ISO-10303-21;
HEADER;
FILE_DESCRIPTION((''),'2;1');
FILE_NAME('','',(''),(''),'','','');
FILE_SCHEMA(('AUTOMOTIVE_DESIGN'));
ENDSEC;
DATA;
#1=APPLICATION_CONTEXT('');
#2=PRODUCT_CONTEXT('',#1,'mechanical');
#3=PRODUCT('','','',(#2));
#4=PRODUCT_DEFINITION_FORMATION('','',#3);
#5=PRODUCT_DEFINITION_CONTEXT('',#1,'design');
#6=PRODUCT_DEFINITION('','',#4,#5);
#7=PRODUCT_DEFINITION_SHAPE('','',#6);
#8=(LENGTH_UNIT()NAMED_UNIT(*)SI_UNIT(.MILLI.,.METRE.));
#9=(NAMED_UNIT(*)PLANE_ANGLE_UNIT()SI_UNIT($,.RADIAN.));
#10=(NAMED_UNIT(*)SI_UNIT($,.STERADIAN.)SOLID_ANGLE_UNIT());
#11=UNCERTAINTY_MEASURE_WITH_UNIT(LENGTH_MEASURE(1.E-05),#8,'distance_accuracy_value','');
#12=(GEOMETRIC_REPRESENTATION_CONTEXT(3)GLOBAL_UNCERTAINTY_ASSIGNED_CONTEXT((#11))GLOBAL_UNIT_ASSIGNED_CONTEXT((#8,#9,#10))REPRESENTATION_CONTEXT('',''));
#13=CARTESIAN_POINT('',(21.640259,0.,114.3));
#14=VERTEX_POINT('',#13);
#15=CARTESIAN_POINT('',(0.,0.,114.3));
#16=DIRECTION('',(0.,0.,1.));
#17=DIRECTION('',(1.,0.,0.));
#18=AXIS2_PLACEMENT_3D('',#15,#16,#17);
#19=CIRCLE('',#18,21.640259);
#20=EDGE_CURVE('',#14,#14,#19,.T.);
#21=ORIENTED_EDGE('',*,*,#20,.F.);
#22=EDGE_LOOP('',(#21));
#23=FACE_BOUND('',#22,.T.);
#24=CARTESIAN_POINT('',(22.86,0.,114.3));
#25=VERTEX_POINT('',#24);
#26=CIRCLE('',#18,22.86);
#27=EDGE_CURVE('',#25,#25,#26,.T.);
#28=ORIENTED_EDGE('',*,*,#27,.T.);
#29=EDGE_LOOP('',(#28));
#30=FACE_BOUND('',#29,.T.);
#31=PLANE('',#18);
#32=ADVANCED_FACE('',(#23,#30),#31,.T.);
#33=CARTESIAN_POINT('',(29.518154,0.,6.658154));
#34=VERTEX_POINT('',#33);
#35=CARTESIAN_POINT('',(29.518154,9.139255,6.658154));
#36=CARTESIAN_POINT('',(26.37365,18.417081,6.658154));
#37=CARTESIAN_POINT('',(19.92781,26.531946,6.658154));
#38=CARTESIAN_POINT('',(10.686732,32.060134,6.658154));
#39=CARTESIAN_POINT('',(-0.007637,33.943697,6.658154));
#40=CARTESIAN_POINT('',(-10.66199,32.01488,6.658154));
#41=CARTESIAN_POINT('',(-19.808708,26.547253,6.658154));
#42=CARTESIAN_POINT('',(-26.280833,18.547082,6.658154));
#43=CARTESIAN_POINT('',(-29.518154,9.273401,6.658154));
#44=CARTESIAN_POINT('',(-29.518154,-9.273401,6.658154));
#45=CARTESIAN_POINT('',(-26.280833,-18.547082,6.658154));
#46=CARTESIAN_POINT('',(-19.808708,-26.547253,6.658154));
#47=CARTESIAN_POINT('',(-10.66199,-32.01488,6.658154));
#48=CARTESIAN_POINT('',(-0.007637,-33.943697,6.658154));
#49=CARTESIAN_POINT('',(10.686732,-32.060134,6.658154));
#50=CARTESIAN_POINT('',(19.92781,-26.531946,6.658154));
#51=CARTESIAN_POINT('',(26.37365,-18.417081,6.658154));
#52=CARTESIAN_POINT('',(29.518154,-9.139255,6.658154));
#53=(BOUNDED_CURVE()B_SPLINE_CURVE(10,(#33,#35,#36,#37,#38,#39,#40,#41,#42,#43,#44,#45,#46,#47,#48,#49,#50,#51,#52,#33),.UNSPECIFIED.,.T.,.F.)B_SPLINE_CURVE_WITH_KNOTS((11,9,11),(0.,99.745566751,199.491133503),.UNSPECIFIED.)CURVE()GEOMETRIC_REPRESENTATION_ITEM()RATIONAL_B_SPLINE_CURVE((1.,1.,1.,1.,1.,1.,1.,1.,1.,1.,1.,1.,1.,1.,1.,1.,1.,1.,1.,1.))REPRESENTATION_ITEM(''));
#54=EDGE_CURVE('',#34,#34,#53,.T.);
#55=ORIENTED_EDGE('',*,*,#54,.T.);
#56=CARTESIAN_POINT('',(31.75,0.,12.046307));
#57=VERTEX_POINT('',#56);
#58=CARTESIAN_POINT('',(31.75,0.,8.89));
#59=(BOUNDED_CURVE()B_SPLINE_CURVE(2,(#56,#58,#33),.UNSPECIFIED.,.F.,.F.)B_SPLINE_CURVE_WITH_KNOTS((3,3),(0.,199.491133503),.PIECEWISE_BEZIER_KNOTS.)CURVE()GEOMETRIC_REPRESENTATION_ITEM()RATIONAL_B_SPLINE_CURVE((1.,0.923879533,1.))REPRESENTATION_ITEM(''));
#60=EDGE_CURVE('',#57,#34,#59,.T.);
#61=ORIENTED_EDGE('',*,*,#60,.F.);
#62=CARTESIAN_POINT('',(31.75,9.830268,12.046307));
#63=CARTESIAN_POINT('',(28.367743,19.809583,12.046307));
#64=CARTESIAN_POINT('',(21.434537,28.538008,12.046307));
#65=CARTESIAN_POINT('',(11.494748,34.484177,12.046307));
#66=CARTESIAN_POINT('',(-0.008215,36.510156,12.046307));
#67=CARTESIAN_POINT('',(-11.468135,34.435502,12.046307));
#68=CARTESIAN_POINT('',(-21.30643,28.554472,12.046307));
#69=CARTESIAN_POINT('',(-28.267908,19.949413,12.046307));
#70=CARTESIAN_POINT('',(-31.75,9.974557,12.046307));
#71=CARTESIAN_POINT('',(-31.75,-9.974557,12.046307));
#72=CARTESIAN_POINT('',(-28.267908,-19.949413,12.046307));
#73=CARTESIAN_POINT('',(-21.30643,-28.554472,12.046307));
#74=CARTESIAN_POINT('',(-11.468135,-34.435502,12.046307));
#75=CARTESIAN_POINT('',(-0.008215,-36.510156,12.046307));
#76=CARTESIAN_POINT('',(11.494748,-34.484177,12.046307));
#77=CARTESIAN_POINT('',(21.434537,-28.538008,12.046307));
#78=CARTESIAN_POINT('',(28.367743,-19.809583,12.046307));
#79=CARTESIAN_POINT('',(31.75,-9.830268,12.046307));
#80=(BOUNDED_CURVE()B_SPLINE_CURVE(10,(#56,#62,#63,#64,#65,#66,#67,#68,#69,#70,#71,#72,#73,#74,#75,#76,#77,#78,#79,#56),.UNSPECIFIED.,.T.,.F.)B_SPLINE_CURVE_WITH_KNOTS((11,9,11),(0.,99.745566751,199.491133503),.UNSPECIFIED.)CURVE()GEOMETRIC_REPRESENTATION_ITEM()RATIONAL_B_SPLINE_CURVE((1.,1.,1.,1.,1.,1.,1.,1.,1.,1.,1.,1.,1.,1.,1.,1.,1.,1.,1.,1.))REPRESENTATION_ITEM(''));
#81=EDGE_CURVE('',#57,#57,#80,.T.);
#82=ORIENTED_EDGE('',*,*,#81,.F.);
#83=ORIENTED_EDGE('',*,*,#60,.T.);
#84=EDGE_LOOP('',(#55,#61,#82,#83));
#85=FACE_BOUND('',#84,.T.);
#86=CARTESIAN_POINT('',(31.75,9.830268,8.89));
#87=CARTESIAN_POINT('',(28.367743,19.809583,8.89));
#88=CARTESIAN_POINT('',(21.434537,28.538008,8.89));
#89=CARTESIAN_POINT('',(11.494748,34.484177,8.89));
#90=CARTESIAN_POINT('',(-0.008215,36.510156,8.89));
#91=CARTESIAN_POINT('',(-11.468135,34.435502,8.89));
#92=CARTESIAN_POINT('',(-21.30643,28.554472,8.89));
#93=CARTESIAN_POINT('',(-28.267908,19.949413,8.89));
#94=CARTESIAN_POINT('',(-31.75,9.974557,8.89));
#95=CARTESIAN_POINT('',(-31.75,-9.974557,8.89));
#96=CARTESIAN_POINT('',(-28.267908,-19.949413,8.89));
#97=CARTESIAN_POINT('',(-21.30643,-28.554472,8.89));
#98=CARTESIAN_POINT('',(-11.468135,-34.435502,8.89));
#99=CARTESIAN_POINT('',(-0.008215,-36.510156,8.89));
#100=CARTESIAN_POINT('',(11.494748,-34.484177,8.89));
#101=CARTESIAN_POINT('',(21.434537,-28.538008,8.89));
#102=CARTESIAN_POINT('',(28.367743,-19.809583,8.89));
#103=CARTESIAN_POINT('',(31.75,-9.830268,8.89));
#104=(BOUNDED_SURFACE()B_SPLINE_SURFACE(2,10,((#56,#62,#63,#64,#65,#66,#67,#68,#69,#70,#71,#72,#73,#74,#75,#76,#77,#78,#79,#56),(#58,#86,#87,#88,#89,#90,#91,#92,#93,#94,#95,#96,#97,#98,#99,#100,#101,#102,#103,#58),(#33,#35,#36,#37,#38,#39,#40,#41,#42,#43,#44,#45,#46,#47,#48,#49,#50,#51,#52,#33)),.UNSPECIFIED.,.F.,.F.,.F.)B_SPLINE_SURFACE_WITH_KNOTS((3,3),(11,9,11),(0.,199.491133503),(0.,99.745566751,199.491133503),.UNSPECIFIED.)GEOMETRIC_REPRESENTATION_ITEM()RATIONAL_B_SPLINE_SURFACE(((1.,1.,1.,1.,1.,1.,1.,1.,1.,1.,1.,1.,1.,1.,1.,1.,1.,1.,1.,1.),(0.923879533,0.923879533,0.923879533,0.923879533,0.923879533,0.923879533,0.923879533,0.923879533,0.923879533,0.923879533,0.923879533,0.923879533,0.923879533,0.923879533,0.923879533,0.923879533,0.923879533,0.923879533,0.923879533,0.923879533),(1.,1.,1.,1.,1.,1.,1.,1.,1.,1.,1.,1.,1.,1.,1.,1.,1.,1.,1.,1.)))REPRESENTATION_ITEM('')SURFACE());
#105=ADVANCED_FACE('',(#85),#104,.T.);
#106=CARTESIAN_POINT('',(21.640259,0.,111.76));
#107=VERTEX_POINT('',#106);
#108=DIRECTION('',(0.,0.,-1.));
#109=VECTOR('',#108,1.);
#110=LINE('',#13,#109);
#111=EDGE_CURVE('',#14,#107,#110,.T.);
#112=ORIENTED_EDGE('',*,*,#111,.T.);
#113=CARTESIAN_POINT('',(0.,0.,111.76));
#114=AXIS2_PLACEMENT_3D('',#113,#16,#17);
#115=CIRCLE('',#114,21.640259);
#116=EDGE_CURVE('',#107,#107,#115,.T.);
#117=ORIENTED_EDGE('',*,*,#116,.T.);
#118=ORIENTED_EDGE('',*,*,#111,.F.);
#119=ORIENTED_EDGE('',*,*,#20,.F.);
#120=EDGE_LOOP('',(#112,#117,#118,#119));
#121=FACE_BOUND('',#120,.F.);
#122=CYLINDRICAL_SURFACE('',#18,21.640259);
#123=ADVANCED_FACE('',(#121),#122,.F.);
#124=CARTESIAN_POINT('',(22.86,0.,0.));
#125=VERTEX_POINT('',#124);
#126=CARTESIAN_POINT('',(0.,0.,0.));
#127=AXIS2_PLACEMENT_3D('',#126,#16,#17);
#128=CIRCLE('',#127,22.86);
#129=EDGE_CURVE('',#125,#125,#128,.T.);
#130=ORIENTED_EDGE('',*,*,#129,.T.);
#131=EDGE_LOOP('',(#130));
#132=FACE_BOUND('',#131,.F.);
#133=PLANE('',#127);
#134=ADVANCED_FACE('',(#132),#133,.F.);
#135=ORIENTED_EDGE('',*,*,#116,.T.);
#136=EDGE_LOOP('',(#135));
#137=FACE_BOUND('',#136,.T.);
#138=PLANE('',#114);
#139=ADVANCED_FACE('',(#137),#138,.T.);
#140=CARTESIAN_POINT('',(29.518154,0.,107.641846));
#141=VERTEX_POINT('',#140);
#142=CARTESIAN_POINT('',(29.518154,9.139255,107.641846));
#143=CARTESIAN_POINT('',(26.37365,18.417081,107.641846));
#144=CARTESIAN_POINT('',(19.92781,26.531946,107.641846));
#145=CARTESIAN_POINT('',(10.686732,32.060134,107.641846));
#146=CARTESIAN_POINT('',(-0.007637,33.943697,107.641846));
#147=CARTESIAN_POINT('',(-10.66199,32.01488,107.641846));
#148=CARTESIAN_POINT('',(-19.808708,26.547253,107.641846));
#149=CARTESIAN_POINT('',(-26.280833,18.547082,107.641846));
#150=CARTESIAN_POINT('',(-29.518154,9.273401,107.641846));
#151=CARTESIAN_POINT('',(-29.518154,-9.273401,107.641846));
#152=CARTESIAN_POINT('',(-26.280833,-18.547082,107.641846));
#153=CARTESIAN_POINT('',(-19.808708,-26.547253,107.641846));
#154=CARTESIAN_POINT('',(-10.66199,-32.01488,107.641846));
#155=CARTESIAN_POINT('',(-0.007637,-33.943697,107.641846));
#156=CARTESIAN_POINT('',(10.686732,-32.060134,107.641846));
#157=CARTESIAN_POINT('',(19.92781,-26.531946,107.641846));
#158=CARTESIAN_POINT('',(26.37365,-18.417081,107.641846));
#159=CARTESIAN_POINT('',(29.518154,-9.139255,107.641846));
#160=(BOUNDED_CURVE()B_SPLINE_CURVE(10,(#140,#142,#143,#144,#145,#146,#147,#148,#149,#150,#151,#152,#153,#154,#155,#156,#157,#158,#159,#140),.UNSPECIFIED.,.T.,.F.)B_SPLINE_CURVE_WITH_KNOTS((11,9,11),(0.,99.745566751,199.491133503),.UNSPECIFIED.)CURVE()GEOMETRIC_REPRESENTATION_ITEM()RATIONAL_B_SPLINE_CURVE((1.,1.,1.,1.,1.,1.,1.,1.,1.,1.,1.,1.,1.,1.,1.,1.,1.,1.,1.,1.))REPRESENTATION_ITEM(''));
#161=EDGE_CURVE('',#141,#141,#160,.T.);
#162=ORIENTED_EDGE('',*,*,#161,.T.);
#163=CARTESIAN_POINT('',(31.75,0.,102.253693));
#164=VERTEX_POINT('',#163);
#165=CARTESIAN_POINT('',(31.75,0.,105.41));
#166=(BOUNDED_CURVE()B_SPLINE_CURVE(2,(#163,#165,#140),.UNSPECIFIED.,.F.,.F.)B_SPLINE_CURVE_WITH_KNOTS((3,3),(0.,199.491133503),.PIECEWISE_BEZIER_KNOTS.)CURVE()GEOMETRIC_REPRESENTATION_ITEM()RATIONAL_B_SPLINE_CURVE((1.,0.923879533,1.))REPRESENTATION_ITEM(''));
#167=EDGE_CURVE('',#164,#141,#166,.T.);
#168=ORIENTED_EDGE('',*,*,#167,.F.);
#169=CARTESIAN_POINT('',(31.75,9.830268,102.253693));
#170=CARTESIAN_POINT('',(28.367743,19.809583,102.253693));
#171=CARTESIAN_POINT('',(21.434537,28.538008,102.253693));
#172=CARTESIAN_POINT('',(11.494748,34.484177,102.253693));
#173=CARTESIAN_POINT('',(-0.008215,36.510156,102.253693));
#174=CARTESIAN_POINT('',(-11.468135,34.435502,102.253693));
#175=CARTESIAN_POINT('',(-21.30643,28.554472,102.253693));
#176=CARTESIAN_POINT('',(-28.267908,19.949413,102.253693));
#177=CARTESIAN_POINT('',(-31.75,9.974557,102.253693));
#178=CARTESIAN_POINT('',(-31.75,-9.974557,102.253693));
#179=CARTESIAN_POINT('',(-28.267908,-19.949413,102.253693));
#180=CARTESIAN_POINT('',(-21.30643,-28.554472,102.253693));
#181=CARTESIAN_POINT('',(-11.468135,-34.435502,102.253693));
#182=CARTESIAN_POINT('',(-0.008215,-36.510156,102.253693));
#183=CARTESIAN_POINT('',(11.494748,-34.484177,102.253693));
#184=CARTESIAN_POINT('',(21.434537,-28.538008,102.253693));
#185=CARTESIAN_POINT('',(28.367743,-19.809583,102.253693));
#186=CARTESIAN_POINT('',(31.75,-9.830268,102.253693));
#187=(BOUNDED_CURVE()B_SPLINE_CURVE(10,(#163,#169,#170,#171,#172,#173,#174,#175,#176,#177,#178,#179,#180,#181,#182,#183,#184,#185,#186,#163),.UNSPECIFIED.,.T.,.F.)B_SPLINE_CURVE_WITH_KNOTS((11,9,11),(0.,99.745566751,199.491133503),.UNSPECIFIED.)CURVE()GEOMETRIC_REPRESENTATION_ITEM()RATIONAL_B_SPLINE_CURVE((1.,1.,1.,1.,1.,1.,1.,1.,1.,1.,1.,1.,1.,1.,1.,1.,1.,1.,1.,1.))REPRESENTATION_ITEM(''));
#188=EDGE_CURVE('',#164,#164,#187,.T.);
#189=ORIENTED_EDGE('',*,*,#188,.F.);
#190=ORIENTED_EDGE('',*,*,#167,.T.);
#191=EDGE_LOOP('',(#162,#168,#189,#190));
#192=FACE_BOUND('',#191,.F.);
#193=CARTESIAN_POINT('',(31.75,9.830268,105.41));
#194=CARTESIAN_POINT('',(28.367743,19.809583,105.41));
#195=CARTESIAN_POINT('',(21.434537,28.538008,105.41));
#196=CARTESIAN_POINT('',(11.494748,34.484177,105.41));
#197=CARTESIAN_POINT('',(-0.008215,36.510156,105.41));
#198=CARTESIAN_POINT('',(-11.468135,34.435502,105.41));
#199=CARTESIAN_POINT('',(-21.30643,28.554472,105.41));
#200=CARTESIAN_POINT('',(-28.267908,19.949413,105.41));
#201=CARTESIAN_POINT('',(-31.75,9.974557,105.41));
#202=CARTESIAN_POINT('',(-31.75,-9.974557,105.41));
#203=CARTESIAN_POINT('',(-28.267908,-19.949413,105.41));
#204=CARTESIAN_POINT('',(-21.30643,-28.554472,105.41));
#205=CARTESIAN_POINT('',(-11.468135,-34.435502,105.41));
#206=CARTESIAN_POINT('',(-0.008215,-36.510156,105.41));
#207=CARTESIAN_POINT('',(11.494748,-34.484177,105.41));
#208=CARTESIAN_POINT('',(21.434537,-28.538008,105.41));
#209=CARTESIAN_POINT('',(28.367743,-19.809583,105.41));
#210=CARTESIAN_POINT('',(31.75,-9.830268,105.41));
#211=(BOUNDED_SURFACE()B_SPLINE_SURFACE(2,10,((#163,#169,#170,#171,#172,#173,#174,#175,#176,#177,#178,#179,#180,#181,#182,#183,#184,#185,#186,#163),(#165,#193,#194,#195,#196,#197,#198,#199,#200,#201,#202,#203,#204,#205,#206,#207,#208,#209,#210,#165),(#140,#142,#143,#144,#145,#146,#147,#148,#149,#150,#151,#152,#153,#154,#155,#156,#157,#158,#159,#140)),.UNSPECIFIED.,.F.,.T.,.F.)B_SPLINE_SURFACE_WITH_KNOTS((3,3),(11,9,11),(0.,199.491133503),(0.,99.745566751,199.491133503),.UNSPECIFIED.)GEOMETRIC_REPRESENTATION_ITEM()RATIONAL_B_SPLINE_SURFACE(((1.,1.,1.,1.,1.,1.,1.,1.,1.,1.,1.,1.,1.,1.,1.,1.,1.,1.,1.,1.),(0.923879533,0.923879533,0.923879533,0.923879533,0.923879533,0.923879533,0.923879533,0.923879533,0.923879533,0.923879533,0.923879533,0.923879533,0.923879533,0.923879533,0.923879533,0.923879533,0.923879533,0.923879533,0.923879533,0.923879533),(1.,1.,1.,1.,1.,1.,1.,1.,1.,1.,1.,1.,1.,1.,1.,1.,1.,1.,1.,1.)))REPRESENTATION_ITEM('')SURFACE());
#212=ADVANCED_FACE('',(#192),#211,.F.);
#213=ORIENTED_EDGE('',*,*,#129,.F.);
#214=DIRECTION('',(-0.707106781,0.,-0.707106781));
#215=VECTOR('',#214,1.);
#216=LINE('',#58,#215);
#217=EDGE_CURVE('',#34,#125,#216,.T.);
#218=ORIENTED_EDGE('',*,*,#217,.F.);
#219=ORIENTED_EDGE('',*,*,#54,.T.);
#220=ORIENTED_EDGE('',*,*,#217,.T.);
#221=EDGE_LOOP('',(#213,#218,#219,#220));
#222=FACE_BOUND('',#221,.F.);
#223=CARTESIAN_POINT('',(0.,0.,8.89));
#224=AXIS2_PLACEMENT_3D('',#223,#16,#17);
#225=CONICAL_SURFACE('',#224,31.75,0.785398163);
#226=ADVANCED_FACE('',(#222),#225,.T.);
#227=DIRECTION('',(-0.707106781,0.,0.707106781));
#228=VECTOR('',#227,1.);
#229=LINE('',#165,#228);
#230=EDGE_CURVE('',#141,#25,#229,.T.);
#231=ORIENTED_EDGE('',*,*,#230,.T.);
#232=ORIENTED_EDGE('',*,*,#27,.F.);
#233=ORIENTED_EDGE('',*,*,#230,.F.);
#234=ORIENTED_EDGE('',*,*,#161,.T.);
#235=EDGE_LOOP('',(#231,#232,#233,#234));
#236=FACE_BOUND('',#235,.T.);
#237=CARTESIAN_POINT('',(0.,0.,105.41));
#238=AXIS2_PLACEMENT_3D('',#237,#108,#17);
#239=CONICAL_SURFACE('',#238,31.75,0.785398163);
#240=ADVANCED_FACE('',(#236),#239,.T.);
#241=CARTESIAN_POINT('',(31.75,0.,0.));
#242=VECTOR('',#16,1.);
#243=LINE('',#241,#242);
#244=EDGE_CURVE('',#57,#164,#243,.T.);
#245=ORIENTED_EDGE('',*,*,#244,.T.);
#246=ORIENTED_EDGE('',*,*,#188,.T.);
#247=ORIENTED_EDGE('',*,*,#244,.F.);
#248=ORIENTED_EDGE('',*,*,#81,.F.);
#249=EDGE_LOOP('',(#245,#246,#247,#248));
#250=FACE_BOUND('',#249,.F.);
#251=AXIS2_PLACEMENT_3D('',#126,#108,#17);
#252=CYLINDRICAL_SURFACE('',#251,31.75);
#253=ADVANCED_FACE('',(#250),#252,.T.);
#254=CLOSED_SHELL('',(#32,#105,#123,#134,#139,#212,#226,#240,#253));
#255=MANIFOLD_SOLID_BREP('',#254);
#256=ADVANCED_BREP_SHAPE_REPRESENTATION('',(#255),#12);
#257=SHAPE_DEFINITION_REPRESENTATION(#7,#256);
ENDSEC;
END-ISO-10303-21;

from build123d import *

# Parameters (mm, degrees)
F0_R     = 31.75
F1_DEPTH = 114.3
F2_SIZE  = 8.89
F3_SIZE  = 8.89
F4_R     = 7.62
F6_R     = 21.6402594839
F7_DEPTH = 2.54


with BuildPart() as f1:
    # F0 (on Top) → F1 (new body)
    with BuildSketch(Plane.XY):
        Circle(F0_R)
    extrude(amount=F1_DEPTH)

    # F2
    f2_edges = [f1.edges().sort_by_distance(p)[0] for p in [
        (-31.75, 0, 114.3),
    ]]
    chamfer(f2_edges, length=F2_SIZE)

    # F3
    f3_edges = [f1.edges().sort_by_distance(p)[0] for p in [
        (-31.75, 0, 0),
    ]]
    chamfer(f3_edges, length=F3_SIZE)

    # F4
    f4_edges = [f1.edges().sort_by_distance(p)[0] for p in [
        (-31.75, 0, 8.89),
        (-31.75, 0, 105.41),
    ]]
    fillet(f4_edges, radius=F4_R)

    # F6 (on face) → F7 (cut)
    with BuildSketch(Plane.XY.offset(114.3)):
        Circle(F6_R)
    extrude(amount=-F7_DEPTH, mode=Mode.SUBTRACT)


solid = f1.part
